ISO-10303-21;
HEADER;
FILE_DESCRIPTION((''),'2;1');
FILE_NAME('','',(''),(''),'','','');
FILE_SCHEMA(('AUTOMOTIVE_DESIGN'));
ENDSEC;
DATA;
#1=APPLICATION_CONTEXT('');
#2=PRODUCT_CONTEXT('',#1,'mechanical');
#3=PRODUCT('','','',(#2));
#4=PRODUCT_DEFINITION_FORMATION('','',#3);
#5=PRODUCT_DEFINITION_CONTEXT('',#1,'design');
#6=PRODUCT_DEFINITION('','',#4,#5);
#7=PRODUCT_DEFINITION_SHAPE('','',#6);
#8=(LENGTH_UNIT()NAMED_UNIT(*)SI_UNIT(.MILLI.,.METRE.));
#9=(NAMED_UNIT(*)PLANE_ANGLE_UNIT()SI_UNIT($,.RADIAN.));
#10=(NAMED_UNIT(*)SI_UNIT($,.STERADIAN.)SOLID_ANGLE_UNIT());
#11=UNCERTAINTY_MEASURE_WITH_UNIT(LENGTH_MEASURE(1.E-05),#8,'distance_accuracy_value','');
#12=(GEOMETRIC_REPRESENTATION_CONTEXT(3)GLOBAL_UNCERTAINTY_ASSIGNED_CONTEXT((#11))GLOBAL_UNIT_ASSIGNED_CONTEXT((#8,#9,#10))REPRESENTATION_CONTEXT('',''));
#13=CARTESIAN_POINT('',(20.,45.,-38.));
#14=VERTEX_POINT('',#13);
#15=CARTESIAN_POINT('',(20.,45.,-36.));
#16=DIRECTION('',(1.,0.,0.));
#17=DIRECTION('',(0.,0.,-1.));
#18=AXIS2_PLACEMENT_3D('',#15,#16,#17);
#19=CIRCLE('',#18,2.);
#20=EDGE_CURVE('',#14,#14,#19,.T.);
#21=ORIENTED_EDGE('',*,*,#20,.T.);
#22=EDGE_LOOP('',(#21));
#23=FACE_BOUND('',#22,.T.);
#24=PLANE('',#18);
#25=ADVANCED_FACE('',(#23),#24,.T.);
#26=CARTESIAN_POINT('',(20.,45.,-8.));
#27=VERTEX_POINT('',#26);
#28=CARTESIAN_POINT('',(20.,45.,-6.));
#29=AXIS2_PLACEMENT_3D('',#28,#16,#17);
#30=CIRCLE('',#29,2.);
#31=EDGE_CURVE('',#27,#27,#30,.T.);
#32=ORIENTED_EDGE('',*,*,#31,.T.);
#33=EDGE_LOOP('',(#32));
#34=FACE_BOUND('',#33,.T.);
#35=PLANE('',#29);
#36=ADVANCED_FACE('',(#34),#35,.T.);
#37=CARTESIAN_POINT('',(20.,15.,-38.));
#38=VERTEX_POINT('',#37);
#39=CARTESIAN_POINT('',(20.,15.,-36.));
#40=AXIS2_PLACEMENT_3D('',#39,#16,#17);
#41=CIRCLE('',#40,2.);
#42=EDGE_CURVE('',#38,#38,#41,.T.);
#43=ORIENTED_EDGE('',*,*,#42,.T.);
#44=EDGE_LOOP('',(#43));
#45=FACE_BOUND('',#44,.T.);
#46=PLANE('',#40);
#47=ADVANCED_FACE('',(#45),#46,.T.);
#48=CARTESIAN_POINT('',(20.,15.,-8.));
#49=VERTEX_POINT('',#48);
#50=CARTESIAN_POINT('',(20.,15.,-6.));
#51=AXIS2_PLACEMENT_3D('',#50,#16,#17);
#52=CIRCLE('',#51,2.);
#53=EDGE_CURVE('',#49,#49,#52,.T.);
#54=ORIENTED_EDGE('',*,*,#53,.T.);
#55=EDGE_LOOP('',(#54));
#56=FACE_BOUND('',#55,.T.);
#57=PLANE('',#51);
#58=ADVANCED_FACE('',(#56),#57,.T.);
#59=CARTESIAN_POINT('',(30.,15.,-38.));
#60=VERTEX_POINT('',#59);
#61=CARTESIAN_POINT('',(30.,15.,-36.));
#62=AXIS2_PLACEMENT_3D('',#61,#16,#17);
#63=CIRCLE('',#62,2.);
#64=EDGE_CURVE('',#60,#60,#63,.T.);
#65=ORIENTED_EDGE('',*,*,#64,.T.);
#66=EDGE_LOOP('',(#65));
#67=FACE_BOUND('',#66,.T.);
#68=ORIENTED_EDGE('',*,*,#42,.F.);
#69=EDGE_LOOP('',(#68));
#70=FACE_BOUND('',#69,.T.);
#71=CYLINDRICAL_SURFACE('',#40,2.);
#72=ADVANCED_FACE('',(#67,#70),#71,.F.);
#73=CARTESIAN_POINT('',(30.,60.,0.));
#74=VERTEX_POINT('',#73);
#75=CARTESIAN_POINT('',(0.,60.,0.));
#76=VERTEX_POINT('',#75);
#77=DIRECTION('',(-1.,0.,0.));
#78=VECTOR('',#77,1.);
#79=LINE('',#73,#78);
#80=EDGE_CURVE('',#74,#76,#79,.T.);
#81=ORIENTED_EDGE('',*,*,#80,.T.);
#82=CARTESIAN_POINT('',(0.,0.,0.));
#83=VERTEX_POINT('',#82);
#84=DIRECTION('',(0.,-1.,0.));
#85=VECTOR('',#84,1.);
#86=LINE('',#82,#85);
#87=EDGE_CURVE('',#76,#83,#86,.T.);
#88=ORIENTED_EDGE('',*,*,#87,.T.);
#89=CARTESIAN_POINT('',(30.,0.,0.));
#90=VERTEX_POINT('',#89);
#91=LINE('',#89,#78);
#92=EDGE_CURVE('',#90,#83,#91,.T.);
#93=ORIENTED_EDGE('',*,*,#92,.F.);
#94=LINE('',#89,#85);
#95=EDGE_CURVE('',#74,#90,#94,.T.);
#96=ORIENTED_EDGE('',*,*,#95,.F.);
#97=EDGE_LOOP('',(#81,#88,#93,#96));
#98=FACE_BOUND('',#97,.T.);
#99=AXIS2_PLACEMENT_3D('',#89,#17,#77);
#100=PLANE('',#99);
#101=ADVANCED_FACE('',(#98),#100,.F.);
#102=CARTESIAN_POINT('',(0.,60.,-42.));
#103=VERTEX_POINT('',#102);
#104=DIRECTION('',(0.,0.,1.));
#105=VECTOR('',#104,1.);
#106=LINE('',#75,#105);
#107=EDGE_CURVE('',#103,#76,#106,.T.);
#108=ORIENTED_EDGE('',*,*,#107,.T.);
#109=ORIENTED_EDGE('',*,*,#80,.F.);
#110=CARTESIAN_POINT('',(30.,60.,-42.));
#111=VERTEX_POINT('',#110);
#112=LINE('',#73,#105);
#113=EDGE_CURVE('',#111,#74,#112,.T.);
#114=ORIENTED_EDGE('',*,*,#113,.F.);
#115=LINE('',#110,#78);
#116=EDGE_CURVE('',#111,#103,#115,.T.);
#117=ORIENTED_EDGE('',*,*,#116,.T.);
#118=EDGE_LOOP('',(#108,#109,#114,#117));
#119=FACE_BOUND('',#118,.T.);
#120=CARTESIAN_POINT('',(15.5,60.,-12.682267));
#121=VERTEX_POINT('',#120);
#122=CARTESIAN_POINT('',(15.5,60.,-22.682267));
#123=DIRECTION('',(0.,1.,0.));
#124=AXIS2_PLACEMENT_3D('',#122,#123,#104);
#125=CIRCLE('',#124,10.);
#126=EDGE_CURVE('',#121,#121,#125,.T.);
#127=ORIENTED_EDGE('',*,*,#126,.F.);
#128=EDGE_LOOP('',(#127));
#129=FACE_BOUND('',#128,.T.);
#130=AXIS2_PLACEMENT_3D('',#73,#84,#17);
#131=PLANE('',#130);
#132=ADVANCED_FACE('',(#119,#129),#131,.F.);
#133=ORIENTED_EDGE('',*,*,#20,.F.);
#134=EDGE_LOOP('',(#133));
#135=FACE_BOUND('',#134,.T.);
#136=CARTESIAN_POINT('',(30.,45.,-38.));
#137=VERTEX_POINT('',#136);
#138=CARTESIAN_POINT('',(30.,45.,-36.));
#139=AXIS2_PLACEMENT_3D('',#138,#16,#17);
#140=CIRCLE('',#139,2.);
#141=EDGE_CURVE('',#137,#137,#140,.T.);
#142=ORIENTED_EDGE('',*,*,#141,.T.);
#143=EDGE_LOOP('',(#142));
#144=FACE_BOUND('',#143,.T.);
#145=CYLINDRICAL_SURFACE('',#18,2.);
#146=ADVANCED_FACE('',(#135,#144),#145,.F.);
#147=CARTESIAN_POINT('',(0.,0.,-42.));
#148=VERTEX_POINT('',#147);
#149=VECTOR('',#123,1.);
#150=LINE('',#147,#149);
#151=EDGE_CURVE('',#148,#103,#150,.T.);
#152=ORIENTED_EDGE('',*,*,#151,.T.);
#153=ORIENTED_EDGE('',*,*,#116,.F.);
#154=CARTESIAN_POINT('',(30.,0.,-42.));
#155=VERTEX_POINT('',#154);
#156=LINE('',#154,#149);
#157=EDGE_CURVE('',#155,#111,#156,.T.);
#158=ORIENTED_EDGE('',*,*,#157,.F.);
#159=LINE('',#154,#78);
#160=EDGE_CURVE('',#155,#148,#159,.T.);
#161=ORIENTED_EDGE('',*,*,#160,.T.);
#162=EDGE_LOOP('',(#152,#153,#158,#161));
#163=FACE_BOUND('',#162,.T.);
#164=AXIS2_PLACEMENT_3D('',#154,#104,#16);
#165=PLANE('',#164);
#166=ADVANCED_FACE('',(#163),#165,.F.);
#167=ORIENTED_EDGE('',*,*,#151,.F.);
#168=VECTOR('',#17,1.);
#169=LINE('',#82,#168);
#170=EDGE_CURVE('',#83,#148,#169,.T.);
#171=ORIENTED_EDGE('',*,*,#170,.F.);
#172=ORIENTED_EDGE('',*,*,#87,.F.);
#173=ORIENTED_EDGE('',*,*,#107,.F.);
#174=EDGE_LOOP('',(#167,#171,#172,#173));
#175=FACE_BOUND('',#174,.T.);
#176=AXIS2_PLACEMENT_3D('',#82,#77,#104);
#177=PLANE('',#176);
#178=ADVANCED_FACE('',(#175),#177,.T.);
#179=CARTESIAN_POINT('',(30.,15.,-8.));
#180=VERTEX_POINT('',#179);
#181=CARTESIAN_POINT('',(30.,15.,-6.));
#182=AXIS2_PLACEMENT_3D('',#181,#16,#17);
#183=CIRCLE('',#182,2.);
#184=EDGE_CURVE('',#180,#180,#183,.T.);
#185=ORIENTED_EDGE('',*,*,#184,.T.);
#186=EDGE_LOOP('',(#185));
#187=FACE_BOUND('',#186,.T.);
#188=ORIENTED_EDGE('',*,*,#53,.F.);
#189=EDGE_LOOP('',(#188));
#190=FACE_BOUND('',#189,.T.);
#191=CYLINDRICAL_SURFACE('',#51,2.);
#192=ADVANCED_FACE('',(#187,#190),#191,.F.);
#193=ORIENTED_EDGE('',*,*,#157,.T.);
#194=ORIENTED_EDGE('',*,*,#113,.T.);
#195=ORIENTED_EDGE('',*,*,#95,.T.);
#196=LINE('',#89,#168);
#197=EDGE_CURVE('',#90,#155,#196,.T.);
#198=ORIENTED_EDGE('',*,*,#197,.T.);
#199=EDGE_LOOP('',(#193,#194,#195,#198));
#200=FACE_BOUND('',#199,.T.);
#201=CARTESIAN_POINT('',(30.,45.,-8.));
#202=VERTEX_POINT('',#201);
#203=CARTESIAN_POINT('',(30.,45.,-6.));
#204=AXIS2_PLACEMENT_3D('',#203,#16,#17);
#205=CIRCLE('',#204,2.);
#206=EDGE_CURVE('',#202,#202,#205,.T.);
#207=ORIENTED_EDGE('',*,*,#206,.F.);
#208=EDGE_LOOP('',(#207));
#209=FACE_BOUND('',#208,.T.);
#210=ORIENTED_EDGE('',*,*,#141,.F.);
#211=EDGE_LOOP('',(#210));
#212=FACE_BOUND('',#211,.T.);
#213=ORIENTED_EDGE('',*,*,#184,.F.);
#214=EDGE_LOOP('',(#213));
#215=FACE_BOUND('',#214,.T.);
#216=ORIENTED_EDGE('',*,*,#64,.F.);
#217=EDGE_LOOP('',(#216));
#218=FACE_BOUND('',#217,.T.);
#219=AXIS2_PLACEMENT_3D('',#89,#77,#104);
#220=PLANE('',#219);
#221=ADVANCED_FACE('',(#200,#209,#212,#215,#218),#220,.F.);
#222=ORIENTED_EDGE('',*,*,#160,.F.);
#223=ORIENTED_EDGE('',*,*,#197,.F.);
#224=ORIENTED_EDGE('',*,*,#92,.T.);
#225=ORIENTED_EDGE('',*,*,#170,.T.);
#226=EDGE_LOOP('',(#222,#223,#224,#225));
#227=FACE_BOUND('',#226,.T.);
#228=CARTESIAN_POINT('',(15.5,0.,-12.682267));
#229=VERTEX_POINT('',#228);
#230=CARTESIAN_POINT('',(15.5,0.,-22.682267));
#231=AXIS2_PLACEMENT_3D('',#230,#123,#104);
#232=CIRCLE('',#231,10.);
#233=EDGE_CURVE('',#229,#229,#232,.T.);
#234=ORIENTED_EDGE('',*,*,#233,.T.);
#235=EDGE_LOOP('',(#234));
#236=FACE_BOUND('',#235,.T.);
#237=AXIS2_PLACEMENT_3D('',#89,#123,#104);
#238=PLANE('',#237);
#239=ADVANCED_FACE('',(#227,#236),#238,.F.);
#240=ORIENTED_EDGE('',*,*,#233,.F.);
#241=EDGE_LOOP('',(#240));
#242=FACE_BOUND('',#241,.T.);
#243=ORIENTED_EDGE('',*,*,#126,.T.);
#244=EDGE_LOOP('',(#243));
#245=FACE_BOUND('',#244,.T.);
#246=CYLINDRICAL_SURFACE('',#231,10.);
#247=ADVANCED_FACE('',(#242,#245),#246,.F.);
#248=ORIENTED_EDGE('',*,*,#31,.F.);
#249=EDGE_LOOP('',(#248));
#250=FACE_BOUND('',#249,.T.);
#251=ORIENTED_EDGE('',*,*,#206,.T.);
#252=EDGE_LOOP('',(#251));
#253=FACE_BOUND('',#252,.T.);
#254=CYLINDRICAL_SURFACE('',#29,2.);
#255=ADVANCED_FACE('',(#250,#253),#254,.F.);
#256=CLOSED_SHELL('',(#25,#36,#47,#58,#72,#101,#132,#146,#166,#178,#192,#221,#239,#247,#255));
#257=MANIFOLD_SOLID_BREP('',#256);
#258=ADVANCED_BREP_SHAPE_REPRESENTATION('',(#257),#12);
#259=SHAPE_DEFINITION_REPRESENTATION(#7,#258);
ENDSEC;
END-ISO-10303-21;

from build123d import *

# Parameters (mm, degrees)
SKETCH1_W           = 42
SKETCH1_H           = 60
BOSS_EXTRUDE1_DEPTH = 30
SKETCH2_R           = 10
CUT_EXTRUDE1_DEPTH  = 80.14543575
SKETCH3_R           = 2
CUT_EXTRUDE2_DEPTH  = 10


with BuildPart() as part:
    # Sketch1 → Boss-Extrude1 (new body)
    with BuildSketch(Plane(origin=(0, 0, 0), x_dir=(0, 0, -1), z_dir=(1, 0, 0))):
        with Locations((21, 30)):
            Rectangle(SKETCH1_W, SKETCH1_H)
    extrude(amount=BOSS_EXTRUDE1_DEPTH)

    # Sketch2 → Cut-Extrude1 (cut, through all)
    with BuildSketch(Plane(origin=(0, 60, 0), x_dir=(1, 0, 0), z_dir=(0, 1, 0))):
        with Locations(Location((15.5, 22.682266583, 0), (0, 0, 270))):
            Circle(SKETCH2_R)
    extrude(amount=-CUT_EXTRUDE1_DEPTH, mode=Mode.SUBTRACT)

    # Sketch3 → Cut-Extrude2 (cut)
    with BuildSketch(Plane(origin=(30, 0, 0), x_dir=(0, 0, -1), z_dir=(1, 0, 0))):
        with Locations((6, 45)):
            Circle(SKETCH3_R)
        with Locations((36, 45)):
            Circle(SKETCH3_R)
        with Locations((36, 15)):
            Circle(SKETCH3_R)
        with Locations((6, 15)):
            Circle(SKETCH3_R)
    extrude(amount=-CUT_EXTRUDE2_DEPTH, mode=Mode.SUBTRACT)


solid = part.part
